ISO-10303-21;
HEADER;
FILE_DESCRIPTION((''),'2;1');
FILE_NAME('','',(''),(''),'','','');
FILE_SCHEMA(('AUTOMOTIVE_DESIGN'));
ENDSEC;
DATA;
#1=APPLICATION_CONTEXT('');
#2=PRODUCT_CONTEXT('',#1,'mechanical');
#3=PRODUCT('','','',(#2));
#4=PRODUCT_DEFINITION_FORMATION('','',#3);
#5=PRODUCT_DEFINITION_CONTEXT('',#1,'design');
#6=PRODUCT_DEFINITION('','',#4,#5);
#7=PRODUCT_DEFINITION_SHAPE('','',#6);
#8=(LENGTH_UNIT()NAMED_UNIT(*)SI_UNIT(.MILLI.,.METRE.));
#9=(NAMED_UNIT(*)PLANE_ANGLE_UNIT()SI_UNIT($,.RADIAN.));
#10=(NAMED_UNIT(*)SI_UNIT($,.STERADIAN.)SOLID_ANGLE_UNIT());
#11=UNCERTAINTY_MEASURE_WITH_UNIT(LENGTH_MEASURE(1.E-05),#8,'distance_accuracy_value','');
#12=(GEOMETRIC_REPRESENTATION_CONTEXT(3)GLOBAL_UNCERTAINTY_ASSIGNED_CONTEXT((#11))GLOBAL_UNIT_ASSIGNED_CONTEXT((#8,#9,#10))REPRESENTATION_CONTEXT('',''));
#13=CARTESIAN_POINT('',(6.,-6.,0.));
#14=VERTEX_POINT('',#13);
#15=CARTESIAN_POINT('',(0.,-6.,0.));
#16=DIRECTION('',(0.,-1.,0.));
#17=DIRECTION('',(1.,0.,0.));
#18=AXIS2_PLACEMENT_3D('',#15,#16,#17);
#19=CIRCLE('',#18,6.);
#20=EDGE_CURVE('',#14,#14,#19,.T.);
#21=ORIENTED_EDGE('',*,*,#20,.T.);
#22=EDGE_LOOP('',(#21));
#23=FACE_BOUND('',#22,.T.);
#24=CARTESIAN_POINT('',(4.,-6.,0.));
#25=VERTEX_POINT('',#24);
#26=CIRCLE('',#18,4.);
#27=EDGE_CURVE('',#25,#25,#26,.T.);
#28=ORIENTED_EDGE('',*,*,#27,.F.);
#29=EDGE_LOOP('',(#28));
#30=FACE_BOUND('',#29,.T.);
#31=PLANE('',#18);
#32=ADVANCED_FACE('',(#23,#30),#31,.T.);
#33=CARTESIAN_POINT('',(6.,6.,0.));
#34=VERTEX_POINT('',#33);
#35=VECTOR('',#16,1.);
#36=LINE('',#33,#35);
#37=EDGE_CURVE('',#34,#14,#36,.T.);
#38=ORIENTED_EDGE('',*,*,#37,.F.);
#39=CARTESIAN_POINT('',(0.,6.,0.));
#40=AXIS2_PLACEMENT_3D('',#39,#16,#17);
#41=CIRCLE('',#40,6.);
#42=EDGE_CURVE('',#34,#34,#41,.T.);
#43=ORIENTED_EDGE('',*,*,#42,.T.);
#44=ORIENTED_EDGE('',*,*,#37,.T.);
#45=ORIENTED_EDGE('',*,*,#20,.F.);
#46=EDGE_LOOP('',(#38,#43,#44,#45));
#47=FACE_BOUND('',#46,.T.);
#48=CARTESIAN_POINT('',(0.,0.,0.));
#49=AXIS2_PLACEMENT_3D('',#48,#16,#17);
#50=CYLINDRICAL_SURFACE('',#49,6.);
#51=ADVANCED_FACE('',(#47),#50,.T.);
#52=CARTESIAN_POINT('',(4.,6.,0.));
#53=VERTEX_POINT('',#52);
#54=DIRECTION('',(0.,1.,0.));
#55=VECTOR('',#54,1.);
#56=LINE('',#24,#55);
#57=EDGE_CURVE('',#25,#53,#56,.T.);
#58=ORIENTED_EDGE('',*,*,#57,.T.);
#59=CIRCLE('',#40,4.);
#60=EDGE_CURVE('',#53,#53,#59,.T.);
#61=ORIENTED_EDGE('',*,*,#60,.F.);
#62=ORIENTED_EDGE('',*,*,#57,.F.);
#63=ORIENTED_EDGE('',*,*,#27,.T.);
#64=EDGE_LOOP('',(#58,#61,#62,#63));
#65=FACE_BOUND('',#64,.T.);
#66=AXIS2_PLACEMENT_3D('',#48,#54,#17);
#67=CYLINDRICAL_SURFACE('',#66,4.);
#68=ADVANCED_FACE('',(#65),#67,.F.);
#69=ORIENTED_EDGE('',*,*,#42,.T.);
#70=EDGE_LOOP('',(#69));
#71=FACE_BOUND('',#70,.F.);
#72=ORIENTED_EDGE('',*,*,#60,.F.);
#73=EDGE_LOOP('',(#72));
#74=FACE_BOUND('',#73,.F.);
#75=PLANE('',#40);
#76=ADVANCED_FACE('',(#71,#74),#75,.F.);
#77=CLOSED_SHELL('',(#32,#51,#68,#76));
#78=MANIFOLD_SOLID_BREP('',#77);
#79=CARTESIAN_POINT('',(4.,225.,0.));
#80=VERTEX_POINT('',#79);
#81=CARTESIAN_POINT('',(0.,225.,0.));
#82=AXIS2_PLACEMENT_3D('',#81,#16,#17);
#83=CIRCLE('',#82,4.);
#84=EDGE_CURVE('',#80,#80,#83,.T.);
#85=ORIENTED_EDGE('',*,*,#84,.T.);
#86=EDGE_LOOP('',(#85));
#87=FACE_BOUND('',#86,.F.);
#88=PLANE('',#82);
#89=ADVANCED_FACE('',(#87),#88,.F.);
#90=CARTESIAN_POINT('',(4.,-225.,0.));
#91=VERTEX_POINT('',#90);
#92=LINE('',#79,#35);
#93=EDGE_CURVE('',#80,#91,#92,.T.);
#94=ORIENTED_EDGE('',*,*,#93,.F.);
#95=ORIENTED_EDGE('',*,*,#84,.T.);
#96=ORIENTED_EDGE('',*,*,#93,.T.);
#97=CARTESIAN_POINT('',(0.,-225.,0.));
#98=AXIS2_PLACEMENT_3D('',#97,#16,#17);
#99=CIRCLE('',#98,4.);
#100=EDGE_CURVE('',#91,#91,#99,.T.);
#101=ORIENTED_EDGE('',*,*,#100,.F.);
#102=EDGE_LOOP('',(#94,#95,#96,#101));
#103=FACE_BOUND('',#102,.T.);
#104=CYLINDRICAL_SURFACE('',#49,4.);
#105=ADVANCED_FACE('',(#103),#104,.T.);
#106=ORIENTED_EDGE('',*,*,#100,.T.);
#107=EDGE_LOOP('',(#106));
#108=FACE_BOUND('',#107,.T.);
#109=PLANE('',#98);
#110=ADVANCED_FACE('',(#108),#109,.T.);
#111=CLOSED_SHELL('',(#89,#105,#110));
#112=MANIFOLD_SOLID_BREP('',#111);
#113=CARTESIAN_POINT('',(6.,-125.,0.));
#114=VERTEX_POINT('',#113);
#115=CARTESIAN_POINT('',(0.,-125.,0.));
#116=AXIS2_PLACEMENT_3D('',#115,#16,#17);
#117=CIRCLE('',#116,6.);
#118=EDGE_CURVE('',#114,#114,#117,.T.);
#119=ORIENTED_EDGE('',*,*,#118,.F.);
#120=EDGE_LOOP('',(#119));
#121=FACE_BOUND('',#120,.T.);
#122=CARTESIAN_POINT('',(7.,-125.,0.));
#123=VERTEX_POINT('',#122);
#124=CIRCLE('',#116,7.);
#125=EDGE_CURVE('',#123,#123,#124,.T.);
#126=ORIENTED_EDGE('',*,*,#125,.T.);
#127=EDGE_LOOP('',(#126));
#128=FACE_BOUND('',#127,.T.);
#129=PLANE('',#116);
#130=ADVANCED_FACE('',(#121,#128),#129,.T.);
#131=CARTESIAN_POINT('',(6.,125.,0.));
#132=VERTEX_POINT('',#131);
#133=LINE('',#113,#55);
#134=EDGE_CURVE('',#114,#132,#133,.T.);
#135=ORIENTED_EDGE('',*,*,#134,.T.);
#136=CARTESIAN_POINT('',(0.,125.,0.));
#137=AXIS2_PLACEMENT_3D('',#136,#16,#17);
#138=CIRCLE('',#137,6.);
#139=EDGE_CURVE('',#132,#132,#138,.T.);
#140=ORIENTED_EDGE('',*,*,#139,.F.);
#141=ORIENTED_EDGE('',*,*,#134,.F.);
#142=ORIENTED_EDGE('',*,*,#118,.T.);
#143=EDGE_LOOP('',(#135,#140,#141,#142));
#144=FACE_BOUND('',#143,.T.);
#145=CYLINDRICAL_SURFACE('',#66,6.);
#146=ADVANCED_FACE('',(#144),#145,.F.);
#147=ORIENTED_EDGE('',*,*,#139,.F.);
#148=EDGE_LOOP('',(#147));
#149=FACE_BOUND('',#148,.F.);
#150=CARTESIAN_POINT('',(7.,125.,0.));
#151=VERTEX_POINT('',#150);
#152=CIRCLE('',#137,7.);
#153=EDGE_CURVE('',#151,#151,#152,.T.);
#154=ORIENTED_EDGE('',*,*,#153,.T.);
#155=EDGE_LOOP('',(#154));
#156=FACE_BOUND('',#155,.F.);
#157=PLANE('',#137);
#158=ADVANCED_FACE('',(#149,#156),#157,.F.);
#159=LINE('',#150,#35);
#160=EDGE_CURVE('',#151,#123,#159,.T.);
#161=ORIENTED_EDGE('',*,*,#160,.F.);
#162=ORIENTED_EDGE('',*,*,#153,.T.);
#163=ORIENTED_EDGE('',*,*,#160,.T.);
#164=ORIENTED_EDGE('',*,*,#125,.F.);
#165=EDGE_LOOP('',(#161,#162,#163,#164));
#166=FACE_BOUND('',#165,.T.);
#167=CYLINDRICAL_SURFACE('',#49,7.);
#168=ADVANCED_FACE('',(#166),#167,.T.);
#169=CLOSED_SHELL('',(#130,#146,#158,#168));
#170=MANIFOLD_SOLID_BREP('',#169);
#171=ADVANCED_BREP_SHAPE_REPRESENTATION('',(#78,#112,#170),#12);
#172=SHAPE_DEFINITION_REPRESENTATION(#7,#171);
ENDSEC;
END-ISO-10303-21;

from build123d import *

# Parameters (mm, degrees)
F0_R     = 4
F1_DEPTH = 225
F0_R_2   = 6
F2_DEPTH = 6
F0_R_3   = 7
F3_DEPTH = 125


with BuildPart() as f1:
    # F0 (on Front) → F1 (new body, symmetric)
    with BuildSketch(Plane.XZ):
        Circle(F0_R)
    extrude(amount=F1_DEPTH, both=True)


with BuildPart() as f2:
    # F0 (on Front) → F2 (new body, symmetric)
    with BuildSketch(Plane.XZ):
        Circle(F0_R_2)
        Circle(F0_R, mode=Mode.SUBTRACT)
    extrude(amount=F2_DEPTH, both=True)


with BuildPart() as f3:
    # F0 (on Front) → F3 (new body, symmetric)
    with BuildSketch(Plane.XZ):
        Circle(F0_R_3)
        Circle(F0_R_2, mode=Mode.SUBTRACT)
    extrude(amount=F3_DEPTH, both=True)


solid = Compound([f1.part, f2.part, f3.part])
